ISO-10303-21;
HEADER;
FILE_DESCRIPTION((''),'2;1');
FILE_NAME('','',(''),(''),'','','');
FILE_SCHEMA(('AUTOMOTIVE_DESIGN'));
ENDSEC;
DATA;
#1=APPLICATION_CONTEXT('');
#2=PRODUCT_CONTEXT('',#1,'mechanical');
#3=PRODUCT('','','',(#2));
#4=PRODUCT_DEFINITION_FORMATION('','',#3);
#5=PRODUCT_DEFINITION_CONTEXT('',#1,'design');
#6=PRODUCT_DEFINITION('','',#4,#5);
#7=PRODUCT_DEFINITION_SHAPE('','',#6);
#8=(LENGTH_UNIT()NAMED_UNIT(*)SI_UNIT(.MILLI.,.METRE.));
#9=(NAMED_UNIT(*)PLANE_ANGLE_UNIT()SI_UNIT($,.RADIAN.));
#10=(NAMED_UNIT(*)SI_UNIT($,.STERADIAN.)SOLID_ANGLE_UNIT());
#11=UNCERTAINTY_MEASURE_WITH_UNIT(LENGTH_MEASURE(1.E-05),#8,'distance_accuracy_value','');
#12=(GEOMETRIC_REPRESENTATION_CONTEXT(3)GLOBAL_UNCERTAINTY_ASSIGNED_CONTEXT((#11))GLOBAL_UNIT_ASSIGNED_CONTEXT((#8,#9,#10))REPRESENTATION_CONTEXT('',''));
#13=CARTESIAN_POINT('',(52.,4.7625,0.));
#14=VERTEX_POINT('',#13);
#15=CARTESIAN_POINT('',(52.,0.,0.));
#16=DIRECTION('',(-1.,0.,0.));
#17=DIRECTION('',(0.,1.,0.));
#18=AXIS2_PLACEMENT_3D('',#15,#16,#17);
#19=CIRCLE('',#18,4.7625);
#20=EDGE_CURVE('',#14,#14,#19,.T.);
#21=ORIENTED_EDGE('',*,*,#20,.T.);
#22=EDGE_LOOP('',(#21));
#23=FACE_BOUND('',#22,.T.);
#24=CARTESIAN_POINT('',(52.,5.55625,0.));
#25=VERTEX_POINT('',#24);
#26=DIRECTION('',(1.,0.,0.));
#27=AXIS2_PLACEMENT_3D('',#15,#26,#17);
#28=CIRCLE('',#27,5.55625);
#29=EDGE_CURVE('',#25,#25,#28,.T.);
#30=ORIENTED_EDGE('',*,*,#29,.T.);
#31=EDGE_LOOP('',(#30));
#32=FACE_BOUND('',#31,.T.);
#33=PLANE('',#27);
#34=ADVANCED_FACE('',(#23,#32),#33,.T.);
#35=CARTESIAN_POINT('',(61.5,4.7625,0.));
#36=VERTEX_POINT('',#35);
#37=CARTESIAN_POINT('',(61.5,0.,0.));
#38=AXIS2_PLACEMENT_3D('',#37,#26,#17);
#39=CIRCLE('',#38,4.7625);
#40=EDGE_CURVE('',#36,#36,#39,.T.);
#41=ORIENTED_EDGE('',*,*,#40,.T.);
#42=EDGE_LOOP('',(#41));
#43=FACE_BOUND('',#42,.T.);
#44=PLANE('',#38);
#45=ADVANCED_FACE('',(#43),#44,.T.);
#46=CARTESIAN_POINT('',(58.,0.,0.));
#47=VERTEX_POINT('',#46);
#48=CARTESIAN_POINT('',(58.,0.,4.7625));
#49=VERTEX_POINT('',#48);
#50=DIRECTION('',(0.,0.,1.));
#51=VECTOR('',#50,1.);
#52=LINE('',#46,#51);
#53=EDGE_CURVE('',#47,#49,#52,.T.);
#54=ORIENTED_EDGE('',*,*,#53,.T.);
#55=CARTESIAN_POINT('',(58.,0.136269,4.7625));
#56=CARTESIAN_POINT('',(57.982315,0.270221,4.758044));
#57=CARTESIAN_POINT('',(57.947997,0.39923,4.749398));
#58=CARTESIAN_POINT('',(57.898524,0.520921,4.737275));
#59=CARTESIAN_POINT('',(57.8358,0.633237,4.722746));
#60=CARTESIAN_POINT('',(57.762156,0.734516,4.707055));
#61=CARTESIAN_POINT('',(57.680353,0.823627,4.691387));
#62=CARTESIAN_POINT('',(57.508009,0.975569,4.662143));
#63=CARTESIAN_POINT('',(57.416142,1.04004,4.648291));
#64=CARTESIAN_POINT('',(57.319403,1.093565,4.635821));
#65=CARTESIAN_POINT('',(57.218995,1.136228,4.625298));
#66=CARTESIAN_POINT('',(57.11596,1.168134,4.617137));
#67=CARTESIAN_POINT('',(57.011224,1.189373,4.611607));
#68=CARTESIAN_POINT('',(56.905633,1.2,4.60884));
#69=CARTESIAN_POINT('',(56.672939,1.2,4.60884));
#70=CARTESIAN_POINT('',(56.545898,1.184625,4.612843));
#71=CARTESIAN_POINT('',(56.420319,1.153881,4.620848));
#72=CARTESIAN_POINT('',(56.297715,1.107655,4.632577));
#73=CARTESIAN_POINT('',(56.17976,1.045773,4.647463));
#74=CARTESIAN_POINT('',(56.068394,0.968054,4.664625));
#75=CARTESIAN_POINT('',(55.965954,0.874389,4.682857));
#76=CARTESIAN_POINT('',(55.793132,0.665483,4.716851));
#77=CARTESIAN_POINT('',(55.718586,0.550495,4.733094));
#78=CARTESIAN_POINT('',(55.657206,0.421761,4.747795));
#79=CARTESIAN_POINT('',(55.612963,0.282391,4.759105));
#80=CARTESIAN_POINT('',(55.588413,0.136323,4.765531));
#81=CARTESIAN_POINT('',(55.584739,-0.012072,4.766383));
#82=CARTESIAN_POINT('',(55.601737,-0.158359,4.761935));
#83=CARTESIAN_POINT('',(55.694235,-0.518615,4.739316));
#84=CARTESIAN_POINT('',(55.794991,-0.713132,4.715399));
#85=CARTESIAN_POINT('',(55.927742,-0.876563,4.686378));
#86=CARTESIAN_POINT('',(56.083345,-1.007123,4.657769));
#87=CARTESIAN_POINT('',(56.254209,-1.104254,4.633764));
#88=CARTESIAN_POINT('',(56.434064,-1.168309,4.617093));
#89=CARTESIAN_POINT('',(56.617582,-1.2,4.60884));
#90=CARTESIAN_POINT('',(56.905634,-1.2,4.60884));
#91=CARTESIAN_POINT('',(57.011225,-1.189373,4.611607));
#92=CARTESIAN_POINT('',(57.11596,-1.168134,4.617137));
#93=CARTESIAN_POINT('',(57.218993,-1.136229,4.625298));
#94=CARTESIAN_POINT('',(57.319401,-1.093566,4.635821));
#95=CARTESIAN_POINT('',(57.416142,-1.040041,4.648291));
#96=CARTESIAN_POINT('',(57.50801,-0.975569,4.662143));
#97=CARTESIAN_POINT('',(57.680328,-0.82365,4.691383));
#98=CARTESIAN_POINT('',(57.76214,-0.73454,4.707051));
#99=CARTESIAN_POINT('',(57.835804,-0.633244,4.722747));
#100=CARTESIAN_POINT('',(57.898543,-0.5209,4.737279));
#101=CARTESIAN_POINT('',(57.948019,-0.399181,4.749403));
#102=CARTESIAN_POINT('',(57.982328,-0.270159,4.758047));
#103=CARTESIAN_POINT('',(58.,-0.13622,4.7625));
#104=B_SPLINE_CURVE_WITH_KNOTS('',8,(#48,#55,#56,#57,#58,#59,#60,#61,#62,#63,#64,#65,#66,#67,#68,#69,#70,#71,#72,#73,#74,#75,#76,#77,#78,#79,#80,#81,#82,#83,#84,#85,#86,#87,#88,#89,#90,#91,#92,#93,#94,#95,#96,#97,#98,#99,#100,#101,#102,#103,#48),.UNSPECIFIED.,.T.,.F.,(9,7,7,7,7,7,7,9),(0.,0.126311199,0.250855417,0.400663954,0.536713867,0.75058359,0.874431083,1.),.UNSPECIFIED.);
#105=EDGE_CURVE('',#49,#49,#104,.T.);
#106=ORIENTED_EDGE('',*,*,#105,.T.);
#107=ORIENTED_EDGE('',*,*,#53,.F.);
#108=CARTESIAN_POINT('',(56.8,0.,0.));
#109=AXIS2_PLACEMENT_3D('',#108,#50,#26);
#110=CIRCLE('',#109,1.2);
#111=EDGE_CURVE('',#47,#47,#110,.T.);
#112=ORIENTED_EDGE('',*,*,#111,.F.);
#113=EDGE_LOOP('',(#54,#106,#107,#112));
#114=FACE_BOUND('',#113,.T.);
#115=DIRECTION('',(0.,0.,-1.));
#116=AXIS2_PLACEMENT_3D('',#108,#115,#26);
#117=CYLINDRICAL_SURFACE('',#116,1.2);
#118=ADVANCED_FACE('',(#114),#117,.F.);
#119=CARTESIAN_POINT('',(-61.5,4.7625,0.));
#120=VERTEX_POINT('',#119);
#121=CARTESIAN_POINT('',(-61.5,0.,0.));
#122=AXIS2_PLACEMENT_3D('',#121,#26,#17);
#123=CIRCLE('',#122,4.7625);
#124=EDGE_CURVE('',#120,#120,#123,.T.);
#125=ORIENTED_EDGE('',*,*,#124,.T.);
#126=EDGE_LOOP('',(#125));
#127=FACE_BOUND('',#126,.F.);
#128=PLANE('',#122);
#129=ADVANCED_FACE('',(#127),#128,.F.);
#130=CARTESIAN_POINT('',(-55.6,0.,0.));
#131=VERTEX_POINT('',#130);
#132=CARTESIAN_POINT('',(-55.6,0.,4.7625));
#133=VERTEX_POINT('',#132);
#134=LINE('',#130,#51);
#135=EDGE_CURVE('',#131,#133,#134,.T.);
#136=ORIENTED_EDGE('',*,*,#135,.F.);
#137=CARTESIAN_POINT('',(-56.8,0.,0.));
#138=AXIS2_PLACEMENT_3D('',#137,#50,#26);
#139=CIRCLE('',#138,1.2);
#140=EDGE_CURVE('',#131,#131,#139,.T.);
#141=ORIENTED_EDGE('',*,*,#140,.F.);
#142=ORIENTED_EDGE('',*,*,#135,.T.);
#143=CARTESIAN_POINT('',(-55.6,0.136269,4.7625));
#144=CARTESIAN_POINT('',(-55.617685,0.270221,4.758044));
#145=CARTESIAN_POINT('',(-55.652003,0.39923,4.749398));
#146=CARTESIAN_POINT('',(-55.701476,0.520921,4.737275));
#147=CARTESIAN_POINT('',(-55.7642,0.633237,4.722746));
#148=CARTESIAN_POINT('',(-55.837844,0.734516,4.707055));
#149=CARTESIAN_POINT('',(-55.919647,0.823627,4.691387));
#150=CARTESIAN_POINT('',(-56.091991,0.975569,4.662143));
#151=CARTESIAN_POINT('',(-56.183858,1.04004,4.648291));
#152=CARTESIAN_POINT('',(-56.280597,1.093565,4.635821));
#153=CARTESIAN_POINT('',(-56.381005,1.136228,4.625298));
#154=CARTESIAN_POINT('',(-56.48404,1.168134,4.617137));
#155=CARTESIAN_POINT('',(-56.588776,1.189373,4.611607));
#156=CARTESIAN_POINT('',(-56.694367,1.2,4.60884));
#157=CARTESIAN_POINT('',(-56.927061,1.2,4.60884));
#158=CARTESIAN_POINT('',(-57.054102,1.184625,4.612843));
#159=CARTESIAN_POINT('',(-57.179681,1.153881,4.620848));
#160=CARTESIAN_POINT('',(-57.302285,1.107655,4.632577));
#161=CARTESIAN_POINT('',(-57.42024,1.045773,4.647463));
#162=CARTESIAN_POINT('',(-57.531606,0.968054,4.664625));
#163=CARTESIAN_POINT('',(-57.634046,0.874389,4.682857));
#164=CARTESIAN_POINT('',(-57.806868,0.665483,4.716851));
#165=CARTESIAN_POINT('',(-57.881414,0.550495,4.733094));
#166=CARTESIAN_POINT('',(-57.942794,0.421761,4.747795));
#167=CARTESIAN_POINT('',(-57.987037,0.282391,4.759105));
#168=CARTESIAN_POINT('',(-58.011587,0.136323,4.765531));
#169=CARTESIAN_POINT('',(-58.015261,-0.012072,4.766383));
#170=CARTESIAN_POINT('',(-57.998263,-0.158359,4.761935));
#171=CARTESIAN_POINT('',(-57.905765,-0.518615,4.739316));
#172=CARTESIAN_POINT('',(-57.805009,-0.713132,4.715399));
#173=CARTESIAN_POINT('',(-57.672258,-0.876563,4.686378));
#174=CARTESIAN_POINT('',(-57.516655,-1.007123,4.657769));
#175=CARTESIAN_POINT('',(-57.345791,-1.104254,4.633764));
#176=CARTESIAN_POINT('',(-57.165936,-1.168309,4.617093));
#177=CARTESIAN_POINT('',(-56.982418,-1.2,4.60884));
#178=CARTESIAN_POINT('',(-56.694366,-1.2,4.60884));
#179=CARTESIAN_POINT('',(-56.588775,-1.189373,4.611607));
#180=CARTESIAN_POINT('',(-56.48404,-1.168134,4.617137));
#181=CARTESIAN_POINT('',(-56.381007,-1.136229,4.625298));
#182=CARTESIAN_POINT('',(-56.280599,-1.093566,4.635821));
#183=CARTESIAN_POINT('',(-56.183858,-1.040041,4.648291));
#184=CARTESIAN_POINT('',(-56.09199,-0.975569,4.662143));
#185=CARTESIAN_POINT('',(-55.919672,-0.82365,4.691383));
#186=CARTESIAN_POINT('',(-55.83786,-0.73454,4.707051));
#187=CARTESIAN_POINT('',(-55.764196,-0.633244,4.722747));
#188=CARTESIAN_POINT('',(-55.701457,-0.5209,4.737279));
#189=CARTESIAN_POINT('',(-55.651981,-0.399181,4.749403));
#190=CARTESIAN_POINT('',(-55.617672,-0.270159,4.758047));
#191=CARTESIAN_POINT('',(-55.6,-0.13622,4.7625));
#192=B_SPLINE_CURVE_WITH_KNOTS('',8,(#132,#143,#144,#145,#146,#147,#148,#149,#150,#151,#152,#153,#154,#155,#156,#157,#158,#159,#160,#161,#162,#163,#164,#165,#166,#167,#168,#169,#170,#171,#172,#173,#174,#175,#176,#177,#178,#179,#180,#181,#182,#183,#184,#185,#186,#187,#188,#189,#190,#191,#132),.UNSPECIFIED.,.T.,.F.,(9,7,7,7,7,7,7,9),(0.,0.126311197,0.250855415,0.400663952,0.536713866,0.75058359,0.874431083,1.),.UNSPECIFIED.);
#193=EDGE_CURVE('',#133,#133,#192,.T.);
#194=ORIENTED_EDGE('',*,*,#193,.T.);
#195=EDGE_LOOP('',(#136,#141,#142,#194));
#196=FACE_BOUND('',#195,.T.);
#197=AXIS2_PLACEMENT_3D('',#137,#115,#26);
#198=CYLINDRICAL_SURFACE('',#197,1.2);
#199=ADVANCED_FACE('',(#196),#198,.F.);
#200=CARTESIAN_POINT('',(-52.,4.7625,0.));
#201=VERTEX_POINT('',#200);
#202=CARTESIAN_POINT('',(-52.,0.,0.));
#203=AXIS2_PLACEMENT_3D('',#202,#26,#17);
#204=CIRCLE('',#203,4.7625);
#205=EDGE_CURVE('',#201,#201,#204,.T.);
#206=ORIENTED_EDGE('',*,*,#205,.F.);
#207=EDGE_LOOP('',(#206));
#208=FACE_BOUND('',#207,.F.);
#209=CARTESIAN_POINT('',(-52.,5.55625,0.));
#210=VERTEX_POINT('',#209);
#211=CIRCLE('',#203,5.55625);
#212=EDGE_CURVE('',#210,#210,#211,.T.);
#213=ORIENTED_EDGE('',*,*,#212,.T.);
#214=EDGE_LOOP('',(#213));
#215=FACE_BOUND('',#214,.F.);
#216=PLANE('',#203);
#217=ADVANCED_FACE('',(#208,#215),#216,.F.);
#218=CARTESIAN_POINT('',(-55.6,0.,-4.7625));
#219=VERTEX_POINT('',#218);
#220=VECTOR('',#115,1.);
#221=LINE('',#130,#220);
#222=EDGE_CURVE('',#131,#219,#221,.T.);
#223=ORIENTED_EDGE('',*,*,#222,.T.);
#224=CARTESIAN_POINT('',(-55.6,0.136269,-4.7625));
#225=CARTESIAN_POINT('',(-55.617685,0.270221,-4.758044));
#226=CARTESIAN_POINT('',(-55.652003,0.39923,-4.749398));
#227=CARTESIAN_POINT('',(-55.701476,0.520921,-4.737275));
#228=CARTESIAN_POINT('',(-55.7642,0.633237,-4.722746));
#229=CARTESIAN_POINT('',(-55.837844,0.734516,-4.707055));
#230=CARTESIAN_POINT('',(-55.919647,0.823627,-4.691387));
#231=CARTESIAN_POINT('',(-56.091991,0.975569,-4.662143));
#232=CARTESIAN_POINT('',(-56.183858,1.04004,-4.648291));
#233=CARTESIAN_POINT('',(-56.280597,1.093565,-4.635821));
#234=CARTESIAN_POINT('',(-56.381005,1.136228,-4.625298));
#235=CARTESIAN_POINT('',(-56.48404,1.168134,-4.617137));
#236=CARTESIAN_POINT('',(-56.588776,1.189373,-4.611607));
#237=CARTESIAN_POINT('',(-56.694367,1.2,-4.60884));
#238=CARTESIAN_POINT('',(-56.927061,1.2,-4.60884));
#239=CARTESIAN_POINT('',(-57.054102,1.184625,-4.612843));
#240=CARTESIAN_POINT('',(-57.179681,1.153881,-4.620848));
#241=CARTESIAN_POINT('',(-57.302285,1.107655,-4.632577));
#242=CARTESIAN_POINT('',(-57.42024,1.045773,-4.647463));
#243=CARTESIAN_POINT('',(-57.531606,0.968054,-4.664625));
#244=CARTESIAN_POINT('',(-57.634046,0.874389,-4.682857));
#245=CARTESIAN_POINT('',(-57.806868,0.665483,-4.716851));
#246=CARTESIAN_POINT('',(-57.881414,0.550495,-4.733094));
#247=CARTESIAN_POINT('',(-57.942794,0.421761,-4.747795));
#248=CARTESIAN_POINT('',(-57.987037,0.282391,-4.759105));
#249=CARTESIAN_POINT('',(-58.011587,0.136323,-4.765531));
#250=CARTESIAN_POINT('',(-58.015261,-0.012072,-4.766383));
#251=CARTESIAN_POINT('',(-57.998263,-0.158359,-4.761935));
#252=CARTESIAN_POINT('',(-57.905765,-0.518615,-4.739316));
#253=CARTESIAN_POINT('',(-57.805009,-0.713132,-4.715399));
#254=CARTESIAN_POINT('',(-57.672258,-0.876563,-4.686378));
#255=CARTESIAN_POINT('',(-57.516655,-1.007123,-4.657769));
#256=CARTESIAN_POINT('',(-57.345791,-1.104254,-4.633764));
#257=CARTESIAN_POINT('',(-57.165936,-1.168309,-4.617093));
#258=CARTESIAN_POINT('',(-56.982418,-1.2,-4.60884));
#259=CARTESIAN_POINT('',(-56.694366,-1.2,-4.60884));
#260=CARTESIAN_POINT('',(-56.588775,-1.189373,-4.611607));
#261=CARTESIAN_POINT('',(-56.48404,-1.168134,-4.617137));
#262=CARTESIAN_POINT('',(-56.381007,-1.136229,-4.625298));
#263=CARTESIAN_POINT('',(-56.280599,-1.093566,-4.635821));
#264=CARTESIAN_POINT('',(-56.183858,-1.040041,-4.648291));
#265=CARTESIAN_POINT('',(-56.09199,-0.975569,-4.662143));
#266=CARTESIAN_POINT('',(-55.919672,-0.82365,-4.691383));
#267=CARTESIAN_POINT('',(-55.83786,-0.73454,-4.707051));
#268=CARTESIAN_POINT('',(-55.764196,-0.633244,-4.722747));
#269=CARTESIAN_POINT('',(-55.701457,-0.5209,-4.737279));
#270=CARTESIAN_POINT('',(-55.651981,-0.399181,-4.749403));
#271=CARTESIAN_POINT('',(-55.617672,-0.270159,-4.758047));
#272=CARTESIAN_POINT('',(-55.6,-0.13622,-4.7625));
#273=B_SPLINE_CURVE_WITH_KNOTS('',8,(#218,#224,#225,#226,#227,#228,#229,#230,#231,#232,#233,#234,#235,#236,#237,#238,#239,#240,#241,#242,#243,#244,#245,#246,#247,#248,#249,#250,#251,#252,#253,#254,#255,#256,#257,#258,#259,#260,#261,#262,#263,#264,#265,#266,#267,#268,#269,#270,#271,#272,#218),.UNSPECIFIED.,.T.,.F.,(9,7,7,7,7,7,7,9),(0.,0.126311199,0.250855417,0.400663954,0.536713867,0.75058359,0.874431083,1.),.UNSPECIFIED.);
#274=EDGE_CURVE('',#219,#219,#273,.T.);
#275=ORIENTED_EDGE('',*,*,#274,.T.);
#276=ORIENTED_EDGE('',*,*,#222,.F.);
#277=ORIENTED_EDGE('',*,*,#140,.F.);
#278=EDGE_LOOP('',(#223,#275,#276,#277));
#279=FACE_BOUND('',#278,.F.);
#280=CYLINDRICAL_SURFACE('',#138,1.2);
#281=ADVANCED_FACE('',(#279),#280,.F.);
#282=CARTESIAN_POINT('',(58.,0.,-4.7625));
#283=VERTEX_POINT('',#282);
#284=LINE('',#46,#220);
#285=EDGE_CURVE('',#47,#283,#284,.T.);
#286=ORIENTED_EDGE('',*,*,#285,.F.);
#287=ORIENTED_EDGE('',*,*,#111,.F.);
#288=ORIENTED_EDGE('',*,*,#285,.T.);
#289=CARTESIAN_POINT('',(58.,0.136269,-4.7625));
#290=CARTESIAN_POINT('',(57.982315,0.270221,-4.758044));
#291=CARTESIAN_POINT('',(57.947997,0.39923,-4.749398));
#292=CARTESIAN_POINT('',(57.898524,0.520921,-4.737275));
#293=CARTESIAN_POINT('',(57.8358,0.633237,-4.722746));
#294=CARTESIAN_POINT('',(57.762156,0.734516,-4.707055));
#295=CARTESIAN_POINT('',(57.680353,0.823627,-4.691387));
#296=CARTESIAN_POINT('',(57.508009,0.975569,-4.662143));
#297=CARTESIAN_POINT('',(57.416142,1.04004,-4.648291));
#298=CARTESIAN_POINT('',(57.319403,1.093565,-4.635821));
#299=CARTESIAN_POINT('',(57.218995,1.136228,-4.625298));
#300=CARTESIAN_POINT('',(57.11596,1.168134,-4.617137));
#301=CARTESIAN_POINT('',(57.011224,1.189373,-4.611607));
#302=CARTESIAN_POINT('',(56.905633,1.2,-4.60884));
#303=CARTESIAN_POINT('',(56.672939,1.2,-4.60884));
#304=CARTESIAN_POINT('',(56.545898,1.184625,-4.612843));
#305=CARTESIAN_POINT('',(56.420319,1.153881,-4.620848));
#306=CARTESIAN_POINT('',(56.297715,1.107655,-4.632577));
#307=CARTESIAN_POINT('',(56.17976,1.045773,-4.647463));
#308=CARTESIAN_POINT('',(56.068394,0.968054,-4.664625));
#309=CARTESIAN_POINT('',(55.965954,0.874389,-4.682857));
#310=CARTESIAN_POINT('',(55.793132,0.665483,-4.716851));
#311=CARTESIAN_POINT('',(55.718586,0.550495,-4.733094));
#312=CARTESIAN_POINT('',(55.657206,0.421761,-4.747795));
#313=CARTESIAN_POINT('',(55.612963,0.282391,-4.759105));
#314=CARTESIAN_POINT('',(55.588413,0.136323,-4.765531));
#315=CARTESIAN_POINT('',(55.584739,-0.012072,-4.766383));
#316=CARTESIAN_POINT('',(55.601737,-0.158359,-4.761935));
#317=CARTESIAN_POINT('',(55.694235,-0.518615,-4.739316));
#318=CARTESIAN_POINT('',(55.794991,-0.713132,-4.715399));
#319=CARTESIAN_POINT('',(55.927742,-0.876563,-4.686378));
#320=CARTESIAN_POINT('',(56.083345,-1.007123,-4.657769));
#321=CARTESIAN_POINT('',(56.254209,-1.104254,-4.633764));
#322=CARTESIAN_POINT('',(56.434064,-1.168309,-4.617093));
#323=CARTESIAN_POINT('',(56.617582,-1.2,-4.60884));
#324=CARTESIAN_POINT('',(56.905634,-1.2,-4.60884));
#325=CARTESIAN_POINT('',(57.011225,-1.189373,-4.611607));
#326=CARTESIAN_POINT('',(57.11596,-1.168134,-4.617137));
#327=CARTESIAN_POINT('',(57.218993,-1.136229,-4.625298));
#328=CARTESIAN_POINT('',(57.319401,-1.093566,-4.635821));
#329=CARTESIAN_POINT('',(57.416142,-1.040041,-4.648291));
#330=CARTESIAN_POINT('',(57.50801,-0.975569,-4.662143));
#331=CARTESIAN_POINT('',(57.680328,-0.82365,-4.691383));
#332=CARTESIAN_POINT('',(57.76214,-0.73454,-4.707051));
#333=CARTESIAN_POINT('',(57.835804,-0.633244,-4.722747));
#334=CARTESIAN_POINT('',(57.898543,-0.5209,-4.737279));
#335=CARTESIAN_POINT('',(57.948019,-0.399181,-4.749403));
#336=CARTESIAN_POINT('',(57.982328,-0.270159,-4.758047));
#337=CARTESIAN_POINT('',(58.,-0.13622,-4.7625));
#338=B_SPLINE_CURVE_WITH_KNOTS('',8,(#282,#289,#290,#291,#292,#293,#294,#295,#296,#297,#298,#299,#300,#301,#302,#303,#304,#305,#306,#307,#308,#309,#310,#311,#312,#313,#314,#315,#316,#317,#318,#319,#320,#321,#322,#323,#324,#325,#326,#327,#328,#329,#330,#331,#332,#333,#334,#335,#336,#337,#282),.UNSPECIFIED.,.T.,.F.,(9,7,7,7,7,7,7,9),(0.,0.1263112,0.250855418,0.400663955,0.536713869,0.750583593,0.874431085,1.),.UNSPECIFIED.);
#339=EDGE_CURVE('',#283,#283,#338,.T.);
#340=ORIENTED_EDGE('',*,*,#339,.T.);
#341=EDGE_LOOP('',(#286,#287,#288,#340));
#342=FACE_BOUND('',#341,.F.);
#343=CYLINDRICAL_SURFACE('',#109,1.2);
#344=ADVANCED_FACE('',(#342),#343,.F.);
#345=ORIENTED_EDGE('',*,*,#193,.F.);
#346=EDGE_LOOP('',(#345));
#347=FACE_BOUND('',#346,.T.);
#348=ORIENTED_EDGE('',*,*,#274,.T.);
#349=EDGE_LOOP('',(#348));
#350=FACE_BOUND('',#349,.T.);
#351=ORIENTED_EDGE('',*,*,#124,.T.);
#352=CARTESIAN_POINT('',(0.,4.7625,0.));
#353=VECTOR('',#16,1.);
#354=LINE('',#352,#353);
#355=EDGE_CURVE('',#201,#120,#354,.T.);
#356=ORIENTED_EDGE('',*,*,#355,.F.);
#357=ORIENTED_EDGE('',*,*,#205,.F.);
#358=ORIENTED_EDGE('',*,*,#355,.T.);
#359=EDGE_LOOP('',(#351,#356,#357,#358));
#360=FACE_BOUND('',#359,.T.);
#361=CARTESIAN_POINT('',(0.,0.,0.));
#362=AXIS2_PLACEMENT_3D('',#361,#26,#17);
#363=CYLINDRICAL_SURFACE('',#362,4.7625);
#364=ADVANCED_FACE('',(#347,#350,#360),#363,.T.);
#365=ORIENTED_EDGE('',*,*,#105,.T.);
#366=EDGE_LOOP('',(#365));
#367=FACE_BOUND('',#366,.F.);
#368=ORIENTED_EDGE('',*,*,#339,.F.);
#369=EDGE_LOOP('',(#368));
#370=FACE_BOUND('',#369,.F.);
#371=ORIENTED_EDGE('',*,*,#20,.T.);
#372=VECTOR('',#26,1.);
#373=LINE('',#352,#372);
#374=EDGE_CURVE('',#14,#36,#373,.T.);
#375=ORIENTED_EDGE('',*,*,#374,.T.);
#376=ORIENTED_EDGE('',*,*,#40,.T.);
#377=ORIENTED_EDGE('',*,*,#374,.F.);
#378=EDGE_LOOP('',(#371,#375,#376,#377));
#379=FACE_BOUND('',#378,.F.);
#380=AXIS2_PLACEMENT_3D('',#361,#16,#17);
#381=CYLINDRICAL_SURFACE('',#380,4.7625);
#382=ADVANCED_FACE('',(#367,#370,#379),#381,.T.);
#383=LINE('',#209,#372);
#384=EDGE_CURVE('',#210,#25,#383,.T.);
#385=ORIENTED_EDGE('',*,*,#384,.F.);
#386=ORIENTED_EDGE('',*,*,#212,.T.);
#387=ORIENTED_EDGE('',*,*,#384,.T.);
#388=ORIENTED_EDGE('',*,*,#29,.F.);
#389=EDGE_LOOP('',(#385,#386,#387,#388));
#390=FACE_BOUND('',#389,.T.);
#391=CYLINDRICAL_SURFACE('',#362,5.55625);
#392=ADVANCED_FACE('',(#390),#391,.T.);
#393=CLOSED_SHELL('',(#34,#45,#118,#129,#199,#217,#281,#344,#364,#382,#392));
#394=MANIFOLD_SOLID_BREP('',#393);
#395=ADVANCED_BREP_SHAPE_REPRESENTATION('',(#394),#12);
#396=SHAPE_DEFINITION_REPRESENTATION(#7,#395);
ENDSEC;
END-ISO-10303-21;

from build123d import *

# Parameters (mm, degrees)
F0_R          = 5.55625
F1_DEPTH      = 52
F1_DEPTH_BACK = 52
F2_R          = 4.7625
F3_DEPTH      = 61.5
F3_DEPTH_BACK = 61.5
F4_R          = 1.2
F5_DEPTH      = 5.55725
F5_DEPTH_BACK = 5.55725


with BuildPart() as f1:
    # F0 (on Right) → F1 (new body, two sides)
    with BuildSketch(Plane.YZ) as f1_sk:
        Circle(F0_R)
    extrude(amount=F1_DEPTH)
    extrude(f1_sk.sketch, amount=-F1_DEPTH_BACK)

    # F2 (on Right) → F3 (join, two sides)
    with BuildSketch(Plane.YZ) as f3_sk:
        Circle(F2_R)
    extrude(amount=F3_DEPTH)
    extrude(f3_sk.sketch, amount=-F3_DEPTH_BACK)

    # F4 (on Top) → F5 (cut, two sides)
    with BuildSketch(Plane.XY) as f5_sk:
        with Locations((-56.8, 0)):
            Circle(F4_R)
        with Locations((56.8, 0)):
            Circle(F4_R)
    extrude(amount=-F5_DEPTH, mode=Mode.SUBTRACT)
    extrude(f5_sk.sketch, amount=F5_DEPTH_BACK, mode=Mode.SUBTRACT)


solid = f1.part
